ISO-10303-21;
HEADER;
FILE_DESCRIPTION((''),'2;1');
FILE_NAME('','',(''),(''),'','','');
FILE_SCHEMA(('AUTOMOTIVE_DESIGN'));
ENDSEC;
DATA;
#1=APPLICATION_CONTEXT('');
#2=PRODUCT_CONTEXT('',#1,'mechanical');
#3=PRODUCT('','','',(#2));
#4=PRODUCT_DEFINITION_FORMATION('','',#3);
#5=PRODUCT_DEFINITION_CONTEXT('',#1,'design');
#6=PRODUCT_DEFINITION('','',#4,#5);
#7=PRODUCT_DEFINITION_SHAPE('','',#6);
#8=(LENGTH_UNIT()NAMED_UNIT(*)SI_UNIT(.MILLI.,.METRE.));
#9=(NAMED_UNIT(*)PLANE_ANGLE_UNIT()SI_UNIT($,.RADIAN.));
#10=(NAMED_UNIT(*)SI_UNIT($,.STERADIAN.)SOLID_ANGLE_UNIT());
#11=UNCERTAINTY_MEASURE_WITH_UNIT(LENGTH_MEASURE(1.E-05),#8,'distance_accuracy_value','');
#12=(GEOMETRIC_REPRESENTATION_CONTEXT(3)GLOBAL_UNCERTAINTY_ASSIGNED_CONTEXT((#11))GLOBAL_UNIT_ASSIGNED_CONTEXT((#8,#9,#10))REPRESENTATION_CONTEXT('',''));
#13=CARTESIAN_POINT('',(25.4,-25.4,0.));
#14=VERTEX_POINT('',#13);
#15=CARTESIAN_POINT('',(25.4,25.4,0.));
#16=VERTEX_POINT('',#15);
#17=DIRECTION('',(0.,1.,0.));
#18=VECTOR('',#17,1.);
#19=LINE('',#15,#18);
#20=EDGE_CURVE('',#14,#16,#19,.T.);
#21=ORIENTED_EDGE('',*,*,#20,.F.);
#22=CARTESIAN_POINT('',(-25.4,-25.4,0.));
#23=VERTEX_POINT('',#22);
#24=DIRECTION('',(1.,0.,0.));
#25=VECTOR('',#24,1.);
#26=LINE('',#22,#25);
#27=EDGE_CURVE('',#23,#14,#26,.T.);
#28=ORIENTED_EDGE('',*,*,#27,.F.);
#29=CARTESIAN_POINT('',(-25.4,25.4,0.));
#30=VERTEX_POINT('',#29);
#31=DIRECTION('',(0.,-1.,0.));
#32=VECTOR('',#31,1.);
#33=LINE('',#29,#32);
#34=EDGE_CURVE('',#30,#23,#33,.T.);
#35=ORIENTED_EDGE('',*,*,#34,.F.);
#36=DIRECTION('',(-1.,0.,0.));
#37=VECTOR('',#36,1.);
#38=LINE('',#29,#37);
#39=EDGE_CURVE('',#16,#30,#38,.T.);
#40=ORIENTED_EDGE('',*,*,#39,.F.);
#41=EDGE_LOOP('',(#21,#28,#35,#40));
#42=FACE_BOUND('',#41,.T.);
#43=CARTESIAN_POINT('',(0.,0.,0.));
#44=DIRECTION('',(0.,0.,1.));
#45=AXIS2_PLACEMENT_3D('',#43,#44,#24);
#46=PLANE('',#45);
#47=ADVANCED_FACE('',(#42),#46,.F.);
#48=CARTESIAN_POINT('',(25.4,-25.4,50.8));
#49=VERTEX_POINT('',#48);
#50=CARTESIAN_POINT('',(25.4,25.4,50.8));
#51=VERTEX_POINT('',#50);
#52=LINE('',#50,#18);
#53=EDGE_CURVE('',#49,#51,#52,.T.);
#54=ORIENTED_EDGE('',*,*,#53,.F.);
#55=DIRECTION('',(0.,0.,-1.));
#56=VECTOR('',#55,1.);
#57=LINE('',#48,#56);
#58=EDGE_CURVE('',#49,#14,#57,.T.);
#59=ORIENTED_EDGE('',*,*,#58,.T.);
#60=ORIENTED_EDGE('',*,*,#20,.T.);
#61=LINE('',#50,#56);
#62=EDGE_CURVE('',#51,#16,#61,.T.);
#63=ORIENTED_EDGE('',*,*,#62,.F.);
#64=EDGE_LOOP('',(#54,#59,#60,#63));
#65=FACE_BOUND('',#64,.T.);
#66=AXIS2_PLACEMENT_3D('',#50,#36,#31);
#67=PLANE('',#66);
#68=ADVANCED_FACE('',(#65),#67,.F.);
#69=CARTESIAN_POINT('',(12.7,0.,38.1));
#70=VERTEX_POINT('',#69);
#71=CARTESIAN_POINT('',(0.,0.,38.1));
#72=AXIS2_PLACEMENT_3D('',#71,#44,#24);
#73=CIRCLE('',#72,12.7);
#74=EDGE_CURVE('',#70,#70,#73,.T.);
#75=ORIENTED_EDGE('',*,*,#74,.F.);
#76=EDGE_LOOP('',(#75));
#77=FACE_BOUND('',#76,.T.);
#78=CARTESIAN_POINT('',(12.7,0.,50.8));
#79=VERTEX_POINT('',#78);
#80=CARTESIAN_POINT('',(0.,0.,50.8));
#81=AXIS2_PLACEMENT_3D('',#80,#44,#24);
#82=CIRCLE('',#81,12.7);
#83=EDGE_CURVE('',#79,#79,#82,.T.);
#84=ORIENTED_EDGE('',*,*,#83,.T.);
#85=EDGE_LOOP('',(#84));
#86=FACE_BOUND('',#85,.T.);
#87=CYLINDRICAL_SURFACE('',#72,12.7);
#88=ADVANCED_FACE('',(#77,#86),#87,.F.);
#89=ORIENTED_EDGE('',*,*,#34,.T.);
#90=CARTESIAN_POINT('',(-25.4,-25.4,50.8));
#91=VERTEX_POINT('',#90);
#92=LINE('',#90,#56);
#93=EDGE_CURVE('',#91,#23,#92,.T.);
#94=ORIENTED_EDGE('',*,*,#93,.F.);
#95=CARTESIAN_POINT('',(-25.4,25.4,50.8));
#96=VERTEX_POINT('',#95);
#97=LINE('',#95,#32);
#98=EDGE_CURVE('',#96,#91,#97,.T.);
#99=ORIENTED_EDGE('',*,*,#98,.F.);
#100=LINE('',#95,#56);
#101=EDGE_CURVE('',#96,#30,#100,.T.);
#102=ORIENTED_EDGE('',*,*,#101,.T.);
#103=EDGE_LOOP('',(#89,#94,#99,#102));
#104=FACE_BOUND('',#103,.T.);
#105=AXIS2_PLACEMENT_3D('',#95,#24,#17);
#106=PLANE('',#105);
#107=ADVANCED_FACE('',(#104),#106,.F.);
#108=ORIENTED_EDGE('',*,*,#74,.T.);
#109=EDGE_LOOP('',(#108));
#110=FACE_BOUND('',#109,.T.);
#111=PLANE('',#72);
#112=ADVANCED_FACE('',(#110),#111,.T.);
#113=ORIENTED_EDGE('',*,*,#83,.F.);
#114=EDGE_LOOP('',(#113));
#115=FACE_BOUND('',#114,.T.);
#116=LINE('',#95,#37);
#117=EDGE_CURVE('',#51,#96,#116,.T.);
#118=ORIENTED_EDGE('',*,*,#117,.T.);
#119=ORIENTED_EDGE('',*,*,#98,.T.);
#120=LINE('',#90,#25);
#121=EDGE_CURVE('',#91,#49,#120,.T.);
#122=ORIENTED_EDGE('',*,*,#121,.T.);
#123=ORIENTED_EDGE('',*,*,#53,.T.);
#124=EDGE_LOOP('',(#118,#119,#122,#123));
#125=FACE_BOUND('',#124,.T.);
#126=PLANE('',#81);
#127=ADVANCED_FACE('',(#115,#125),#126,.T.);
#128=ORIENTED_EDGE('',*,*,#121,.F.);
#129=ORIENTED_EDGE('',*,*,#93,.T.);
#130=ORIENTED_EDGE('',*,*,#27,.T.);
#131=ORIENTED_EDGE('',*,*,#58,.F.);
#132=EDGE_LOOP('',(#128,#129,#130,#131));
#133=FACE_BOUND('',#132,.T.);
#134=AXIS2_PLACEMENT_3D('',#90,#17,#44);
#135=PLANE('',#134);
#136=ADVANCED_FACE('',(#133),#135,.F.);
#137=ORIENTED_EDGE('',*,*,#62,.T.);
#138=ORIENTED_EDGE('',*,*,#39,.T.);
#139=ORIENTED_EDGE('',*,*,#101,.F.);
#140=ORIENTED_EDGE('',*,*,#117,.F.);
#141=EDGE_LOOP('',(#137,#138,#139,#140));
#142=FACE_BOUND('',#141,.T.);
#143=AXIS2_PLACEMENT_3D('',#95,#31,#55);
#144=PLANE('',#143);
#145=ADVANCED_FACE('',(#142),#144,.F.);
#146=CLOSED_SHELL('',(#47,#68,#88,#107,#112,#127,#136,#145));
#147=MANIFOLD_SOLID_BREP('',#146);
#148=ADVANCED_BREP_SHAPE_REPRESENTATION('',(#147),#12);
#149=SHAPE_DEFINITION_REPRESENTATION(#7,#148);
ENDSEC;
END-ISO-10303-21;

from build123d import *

# Parameters (mm, degrees)
SKETCH2_W           = 50.8
SKETCH2_H           = 50.8
BOSS_EXTRUDE1_DEPTH = 50.8
SKETCH3_R           = 12.7
CUT_EXTRUDE1_DEPTH  = 12.7


with BuildPart() as part:
    # Sketch2 → Boss-Extrude1 (new body)
    with BuildSketch(Plane.XY):
        Rectangle(SKETCH2_W, SKETCH2_H)
    extrude(amount=BOSS_EXTRUDE1_DEPTH)

    # Sketch3 → Cut-Extrude1 (cut)
    with BuildSketch(Plane.XY.offset(50.8)):
        Circle(SKETCH3_R)
    extrude(amount=-CUT_EXTRUDE1_DEPTH, mode=Mode.SUBTRACT)


solid = part.part
